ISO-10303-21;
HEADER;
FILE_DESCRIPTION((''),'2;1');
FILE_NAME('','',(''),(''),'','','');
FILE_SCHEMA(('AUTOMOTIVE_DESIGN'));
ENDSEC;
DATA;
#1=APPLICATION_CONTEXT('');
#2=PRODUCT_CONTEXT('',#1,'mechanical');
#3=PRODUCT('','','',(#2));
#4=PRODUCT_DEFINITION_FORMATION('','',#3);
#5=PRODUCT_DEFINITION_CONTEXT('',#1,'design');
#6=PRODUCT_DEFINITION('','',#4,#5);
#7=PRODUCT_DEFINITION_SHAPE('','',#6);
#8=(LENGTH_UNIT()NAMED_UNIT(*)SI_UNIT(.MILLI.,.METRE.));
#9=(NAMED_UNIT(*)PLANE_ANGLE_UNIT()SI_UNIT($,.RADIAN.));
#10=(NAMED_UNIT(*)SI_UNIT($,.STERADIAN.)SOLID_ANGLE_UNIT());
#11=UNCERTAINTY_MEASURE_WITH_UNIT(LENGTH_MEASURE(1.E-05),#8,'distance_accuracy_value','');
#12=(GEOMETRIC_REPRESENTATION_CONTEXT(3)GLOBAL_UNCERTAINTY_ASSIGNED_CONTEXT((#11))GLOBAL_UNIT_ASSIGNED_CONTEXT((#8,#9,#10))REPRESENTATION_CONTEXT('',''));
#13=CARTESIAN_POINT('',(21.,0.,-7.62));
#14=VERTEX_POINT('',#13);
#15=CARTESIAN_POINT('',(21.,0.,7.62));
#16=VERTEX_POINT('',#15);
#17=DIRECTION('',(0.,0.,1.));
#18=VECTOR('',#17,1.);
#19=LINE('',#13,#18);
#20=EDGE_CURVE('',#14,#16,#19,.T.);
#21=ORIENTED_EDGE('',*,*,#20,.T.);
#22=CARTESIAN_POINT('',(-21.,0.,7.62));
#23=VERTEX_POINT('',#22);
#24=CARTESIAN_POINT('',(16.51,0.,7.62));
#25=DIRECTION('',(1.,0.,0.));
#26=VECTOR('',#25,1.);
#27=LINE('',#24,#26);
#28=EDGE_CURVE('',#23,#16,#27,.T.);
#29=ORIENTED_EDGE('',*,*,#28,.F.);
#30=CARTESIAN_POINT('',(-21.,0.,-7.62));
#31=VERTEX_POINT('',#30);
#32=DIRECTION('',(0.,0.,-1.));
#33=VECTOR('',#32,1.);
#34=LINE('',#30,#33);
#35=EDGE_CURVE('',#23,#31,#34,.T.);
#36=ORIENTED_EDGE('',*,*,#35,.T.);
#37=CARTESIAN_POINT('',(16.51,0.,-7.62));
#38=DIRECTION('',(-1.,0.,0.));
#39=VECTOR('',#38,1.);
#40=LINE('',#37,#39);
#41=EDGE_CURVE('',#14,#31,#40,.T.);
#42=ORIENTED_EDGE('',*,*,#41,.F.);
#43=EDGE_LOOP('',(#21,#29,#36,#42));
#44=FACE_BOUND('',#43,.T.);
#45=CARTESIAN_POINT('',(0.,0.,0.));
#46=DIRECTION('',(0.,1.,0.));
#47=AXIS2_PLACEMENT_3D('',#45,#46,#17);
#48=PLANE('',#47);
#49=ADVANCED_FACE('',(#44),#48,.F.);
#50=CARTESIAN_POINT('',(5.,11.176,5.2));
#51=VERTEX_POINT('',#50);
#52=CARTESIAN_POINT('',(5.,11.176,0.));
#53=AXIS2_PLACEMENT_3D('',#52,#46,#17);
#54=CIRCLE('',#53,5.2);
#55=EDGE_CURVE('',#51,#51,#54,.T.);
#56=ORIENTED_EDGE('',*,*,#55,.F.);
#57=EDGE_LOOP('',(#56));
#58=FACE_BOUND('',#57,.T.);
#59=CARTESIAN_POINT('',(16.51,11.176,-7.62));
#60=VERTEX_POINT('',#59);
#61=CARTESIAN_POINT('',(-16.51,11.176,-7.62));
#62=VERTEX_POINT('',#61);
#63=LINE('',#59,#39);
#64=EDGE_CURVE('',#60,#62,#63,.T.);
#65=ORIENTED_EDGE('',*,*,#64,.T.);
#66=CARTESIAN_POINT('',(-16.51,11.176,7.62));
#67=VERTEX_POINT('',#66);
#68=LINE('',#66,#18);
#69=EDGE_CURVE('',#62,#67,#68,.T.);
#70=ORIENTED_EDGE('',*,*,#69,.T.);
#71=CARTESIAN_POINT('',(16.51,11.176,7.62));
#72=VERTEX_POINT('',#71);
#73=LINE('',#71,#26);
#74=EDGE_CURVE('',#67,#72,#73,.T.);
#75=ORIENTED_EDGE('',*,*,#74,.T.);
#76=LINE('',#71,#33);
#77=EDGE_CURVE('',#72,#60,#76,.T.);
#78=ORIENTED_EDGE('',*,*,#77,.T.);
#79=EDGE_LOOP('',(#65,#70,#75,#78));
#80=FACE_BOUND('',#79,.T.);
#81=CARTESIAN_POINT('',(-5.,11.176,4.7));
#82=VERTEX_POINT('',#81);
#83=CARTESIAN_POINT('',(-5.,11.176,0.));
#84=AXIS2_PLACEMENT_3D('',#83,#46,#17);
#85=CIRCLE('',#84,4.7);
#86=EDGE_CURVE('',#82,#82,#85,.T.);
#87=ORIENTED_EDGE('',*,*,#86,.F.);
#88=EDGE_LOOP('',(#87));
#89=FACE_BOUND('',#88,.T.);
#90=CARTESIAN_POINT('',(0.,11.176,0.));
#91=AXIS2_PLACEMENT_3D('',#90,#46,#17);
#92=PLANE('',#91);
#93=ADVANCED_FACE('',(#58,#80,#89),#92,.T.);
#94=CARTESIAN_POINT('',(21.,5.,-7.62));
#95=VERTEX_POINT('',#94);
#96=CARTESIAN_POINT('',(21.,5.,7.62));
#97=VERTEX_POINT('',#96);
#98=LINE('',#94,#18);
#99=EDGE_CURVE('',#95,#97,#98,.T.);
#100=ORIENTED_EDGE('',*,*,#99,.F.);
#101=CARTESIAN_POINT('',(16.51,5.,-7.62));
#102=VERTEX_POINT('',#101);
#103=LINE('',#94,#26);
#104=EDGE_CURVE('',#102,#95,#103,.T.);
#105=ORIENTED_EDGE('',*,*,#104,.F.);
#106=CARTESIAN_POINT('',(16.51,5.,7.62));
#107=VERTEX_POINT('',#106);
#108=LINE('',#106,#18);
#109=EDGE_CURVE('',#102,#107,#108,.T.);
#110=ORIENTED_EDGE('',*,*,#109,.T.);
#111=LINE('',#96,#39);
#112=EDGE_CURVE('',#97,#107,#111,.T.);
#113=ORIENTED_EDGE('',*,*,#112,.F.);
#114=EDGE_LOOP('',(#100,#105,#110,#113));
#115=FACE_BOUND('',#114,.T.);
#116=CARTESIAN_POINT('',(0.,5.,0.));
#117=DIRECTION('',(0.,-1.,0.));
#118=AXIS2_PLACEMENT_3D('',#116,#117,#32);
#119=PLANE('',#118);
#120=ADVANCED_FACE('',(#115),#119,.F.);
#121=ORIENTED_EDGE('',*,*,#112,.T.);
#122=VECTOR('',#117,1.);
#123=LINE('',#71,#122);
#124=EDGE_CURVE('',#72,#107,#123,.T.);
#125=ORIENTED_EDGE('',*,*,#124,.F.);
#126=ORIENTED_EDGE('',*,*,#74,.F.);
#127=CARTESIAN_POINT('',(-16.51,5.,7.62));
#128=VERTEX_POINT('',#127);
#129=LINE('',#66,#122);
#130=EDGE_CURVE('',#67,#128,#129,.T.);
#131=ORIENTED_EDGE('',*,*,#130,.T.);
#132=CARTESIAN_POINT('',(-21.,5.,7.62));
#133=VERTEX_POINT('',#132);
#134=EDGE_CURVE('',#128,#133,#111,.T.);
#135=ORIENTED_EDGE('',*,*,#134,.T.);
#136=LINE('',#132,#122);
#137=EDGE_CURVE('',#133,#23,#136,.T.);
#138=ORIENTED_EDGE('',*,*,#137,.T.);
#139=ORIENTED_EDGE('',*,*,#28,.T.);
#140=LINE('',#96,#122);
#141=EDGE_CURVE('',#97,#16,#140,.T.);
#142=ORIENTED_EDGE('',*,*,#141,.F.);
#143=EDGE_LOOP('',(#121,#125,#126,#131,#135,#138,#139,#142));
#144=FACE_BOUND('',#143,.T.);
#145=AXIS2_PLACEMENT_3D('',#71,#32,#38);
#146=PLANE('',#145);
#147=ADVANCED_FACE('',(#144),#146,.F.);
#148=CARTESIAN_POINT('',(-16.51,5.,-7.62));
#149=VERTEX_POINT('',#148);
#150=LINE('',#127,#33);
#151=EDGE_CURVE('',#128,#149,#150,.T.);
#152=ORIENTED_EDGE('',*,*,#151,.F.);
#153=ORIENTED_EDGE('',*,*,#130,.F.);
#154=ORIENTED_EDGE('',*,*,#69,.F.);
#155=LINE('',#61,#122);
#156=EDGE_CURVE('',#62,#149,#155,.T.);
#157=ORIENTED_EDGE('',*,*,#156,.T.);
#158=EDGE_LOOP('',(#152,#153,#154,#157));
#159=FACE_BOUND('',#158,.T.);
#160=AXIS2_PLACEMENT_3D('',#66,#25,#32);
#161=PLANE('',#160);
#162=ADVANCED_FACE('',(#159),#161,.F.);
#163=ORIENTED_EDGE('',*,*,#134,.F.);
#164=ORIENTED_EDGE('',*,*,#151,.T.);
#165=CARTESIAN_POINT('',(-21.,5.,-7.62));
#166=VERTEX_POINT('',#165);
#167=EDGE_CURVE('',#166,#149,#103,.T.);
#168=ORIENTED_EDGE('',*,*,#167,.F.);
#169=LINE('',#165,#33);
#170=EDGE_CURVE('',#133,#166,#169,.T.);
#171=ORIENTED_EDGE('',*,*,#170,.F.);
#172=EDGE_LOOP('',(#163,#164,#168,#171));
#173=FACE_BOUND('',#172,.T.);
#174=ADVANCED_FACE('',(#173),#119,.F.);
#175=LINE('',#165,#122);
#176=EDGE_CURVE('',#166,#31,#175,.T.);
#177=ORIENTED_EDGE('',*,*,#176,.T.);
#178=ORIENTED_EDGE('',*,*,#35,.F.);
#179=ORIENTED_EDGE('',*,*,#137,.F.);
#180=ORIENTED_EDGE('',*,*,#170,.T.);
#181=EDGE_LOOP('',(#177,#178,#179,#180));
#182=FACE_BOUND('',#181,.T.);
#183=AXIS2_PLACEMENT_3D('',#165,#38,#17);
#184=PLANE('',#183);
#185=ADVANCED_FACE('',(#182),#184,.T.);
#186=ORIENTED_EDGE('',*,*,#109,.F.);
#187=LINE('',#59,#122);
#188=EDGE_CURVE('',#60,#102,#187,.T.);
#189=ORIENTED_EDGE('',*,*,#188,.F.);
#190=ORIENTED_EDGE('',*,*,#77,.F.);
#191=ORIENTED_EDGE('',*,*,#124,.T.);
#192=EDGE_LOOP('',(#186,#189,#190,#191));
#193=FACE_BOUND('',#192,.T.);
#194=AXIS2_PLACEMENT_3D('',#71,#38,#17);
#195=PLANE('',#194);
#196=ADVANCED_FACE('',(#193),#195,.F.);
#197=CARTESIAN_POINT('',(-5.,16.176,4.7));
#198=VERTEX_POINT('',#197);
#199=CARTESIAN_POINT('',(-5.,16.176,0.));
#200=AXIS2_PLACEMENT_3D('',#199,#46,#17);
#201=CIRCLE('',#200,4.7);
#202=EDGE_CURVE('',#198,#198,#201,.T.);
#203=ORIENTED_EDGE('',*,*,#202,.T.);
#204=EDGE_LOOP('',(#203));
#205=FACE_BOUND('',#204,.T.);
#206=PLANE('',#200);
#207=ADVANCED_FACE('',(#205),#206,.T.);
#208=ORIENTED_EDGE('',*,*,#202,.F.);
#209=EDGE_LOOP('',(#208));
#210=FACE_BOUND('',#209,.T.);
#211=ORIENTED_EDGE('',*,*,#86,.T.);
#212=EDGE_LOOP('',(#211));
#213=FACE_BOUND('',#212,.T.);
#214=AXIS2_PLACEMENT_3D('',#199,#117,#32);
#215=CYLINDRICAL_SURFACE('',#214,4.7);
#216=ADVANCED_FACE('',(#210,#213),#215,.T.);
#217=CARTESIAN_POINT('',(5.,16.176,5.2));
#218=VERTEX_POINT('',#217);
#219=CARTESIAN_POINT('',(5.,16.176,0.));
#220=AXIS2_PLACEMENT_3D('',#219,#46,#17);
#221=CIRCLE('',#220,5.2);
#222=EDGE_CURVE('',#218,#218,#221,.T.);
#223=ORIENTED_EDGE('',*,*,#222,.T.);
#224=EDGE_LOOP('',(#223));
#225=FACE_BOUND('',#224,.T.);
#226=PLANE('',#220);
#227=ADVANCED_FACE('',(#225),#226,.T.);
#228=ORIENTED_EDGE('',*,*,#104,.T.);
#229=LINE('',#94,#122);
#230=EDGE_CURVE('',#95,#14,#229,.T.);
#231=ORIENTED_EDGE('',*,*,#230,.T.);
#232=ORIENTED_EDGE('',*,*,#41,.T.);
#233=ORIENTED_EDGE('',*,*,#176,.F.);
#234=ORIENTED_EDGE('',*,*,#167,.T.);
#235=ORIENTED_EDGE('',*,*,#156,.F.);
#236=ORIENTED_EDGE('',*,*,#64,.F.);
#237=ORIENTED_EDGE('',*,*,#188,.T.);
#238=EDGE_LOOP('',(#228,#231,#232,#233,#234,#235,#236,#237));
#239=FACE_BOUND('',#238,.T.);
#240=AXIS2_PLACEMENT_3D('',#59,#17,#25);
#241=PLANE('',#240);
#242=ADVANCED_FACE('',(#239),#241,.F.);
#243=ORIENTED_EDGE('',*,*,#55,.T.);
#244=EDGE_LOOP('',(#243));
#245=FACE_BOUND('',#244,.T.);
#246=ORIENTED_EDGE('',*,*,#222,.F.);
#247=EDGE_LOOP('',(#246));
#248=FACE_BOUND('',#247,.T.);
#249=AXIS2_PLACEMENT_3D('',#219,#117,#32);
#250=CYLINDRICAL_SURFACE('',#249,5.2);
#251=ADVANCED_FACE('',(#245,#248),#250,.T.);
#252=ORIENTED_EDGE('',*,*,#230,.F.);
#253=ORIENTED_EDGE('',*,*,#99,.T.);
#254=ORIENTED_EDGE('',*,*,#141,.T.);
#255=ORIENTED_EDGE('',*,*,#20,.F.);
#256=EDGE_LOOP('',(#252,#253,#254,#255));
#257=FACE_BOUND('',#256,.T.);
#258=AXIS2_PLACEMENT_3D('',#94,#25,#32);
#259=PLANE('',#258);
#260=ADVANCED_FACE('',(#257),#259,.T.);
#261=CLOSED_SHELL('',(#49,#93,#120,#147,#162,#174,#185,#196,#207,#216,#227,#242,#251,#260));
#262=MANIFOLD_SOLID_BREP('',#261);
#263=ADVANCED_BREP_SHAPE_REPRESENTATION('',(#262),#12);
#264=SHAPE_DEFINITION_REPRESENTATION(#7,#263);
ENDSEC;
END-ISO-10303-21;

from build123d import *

# Parameters (mm, degrees)
SKETCH1_W           = 33.02
SKETCH1_H           = 15.24
BOSS_EXTRUDE1_DEPTH = 11.176
SKETCH2_R           = 4.7
SKETCH2_R_2         = 5.2
BOSS_EXTRUDE2_DEPTH = 5
SKETCH3_W           = 42
SKETCH3_H           = 15.24
BOSS_EXTRUDE3_DEPTH = 5


with BuildPart() as part:
    # Sketch1 → Boss-Extrude1 (new body)
    with BuildSketch(Plane(origin=(0, 0, 0), x_dir=(1, 0, 0), z_dir=(0, 1, 0))):
        Rectangle(SKETCH1_W, SKETCH1_H)
    extrude(amount=BOSS_EXTRUDE1_DEPTH)

    # Sketch2 → Boss-Extrude2 (add)
    with BuildSketch(Plane(origin=(0, 11.176, 0), x_dir=(1, 0, 0), z_dir=(0, 1, 0))):
        with Locations((-5, 0)):
            Circle(SKETCH2_R)
        with Locations((5, 0)):
            Circle(SKETCH2_R_2)
    extrude(amount=BOSS_EXTRUDE2_DEPTH)

    # Sketch3 → Boss-Extrude3 (add)
    with BuildSketch(Plane.XZ):
        Rectangle(SKETCH3_W, SKETCH3_H)
    extrude(amount=-BOSS_EXTRUDE3_DEPTH)


solid = part.part
